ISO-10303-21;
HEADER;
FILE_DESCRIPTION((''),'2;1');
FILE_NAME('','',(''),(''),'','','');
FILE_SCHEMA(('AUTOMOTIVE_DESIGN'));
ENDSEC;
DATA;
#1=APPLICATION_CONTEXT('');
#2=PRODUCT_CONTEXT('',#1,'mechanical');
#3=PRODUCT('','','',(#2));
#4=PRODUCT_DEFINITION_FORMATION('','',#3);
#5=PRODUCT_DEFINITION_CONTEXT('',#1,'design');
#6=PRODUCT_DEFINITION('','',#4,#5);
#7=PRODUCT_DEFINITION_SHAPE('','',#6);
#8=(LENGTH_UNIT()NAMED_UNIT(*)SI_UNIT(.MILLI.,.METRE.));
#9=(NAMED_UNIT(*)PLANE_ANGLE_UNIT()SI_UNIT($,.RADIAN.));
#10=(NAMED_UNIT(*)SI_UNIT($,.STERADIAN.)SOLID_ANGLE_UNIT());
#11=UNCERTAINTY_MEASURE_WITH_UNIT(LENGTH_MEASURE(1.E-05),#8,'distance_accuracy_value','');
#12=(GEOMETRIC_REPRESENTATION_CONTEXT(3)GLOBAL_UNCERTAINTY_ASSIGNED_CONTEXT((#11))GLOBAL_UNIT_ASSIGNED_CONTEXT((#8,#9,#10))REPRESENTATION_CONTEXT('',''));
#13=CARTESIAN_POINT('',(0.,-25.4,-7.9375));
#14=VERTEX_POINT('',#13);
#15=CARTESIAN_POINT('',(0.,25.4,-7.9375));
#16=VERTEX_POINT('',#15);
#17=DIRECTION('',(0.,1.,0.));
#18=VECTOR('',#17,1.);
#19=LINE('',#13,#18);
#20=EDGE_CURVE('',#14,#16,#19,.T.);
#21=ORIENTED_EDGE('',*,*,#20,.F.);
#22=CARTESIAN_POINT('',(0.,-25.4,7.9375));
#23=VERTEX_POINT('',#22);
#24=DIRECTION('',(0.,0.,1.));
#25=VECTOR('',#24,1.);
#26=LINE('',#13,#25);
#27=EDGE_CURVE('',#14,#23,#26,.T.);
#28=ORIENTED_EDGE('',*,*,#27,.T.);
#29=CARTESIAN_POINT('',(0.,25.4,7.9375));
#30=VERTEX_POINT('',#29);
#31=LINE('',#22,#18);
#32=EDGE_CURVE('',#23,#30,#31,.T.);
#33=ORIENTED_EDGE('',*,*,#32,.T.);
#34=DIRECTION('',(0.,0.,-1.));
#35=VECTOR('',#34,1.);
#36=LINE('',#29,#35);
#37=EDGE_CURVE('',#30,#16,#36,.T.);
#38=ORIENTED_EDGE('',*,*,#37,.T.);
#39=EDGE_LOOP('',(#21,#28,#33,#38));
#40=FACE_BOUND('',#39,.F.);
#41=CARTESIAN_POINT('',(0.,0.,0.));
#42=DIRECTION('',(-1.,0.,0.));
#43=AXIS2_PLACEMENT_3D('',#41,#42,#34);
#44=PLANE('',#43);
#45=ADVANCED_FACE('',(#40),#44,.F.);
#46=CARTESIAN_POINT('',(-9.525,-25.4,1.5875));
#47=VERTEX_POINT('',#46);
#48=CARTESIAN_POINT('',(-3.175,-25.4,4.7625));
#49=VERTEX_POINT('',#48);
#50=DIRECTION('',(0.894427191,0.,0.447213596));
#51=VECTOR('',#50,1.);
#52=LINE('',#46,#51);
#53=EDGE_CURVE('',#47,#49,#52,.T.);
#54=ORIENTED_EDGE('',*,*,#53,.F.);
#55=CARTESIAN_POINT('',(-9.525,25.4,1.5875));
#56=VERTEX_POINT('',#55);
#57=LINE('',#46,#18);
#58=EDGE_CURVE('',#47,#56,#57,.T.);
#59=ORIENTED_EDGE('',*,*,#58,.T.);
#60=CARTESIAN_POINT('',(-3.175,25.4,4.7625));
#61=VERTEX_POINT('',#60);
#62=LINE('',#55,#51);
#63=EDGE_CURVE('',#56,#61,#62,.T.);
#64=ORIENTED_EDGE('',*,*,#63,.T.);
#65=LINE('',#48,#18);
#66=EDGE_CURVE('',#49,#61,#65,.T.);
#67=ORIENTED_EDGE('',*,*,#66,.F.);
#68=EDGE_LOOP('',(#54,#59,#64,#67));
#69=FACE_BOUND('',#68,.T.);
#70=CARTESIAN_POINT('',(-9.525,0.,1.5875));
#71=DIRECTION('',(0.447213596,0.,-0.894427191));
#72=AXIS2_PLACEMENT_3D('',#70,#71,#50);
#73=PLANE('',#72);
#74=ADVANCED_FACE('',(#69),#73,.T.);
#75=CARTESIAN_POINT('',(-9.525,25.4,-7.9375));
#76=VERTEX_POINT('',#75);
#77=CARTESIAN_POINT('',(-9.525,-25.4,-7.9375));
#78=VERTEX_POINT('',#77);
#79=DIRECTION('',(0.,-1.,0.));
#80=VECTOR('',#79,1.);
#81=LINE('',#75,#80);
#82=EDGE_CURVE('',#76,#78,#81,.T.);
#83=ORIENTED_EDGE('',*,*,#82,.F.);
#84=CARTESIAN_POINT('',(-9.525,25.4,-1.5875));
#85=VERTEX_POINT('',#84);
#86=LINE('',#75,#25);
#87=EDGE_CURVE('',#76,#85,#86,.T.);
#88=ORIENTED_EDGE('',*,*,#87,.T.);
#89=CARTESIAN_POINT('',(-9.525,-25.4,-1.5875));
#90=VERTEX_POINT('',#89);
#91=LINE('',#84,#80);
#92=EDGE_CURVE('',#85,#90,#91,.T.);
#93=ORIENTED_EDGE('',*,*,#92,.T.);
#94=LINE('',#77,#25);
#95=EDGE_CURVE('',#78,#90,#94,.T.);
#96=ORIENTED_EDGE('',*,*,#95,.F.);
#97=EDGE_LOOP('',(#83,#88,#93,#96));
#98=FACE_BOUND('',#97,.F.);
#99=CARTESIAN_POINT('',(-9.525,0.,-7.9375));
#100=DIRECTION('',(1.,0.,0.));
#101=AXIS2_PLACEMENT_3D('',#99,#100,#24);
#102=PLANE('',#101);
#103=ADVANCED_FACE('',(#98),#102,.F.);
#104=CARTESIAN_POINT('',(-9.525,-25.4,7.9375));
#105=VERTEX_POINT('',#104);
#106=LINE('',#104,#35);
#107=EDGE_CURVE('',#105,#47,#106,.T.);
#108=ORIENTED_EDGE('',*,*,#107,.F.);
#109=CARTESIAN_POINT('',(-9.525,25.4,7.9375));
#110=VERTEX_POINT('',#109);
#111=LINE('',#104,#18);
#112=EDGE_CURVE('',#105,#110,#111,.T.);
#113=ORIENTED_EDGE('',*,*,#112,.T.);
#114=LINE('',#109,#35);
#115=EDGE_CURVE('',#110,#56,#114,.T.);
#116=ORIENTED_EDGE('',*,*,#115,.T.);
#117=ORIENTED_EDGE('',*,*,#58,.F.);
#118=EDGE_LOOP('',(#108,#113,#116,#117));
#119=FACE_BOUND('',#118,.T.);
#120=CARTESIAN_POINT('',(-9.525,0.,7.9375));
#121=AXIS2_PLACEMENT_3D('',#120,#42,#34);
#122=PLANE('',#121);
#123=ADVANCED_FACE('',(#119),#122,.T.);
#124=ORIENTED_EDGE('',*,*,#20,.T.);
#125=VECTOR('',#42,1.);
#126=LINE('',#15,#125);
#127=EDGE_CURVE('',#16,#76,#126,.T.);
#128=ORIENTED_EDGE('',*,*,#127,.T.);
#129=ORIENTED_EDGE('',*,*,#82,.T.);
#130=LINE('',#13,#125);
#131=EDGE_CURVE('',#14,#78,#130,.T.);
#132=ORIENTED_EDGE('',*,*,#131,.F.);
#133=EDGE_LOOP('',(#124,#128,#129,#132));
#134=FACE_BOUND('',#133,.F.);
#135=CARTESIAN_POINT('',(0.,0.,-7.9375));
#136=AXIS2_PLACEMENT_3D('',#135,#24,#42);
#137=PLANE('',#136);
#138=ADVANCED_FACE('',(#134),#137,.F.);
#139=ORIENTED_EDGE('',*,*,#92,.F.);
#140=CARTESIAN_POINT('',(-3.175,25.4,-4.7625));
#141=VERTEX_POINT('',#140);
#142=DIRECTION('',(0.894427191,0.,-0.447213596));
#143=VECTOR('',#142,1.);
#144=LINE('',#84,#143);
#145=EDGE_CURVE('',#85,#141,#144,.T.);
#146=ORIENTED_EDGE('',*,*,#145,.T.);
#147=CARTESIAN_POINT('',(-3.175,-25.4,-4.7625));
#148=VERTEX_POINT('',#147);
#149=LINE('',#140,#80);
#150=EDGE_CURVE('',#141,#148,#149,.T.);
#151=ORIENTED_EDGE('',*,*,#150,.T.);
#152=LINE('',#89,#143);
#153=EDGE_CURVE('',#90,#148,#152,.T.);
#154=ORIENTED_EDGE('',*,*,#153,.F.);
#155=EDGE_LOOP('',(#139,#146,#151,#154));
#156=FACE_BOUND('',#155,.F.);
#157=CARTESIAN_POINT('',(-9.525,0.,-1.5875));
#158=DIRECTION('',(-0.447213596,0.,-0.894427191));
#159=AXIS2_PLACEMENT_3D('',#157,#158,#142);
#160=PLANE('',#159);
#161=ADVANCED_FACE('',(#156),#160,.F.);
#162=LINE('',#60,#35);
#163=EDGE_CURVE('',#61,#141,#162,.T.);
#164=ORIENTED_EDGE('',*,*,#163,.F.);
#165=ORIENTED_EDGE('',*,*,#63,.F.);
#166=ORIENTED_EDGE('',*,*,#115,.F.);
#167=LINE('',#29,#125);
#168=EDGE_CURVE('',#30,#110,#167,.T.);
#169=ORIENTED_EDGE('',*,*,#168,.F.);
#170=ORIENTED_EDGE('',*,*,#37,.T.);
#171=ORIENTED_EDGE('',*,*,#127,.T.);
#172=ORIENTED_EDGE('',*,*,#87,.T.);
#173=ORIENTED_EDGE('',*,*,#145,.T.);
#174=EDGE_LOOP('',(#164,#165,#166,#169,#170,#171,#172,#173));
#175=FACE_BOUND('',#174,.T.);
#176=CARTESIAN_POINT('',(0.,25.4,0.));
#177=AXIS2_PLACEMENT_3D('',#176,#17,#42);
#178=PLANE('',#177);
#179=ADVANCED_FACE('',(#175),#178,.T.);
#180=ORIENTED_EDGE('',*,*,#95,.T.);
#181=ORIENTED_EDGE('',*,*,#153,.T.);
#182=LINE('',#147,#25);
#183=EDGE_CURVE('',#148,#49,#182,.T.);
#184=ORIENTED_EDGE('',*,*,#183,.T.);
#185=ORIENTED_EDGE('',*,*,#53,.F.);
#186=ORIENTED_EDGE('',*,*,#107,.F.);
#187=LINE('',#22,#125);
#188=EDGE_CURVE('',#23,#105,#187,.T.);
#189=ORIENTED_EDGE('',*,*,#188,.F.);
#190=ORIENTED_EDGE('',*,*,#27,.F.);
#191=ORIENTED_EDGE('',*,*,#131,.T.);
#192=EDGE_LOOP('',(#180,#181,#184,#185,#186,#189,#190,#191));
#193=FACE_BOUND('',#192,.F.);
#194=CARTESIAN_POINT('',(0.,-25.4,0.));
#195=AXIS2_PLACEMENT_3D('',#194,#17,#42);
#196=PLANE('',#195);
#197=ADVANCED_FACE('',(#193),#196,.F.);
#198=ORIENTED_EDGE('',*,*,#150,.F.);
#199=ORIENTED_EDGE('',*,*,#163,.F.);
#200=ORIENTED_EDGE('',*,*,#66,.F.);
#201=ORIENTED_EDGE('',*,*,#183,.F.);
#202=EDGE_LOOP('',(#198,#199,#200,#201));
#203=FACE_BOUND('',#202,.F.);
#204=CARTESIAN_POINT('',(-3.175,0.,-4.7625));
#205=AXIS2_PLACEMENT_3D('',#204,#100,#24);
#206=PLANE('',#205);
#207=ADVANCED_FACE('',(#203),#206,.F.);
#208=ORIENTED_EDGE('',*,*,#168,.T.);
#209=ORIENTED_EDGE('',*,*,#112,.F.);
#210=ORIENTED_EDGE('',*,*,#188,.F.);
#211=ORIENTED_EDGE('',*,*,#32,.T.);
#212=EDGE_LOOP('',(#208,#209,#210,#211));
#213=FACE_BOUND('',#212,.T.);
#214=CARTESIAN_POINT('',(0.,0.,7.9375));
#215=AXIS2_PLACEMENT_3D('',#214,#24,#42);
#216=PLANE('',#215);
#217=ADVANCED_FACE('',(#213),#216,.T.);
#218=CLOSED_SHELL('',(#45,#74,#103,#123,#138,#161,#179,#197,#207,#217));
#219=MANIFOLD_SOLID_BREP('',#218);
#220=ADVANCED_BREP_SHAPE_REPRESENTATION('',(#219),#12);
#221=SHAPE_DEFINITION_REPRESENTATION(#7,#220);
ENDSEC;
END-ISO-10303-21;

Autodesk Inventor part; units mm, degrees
ref_plane "YZ Plane" through (0, 0, 0) normal (1, 0, 0) x (0, 1, 0)
ref_plane "XZ Plane" through (0, 0, 0) normal (0, 1, 0) x (-1, 0, 0)
ref_plane "XY Plane" through (0, 0, 0) normal (0, 0, 1) x (1, 0, 0)
sketch "Sketch2" plane through (0, 0, 0) normal (0, 1, 0) x (-1, 0, 0)
  line L0 (0, 0) -> (0, -7.9375)
  line L1 (0, -7.9375) -> (9.525, -7.9375)
  line L2 (9.525, -7.9375) -> (9.525, -1.5875)
  line L3 (9.525, -1.5875) -> (3.175, -4.7625)
  line L4 (3.175, -4.7625) -> (3.175, 0)
  line L5 (3.175, 0) -> (0, 0)
  line L6 (0, 0) -> (0, 7.9375)
  line L7 (0, 7.9375) -> (9.525, 7.9375)
  line L8 (9.525, 7.9375) -> (9.525, 1.5875)
  line L9 (9.525, 1.5875) -> (3.175, 4.7625)
  line L10 (3.175, 4.7625) -> (3.175, 0)
  dimension "d1" = 7.9375
  dimension "d2" = 9.525
  dimension "d3" = 6.35
  dimension "d4" = 4.7625
  dimension "d5" = 3.175
extrude "Extrusion1" add sketch "Sketch2" along normal mid plane 50.8
